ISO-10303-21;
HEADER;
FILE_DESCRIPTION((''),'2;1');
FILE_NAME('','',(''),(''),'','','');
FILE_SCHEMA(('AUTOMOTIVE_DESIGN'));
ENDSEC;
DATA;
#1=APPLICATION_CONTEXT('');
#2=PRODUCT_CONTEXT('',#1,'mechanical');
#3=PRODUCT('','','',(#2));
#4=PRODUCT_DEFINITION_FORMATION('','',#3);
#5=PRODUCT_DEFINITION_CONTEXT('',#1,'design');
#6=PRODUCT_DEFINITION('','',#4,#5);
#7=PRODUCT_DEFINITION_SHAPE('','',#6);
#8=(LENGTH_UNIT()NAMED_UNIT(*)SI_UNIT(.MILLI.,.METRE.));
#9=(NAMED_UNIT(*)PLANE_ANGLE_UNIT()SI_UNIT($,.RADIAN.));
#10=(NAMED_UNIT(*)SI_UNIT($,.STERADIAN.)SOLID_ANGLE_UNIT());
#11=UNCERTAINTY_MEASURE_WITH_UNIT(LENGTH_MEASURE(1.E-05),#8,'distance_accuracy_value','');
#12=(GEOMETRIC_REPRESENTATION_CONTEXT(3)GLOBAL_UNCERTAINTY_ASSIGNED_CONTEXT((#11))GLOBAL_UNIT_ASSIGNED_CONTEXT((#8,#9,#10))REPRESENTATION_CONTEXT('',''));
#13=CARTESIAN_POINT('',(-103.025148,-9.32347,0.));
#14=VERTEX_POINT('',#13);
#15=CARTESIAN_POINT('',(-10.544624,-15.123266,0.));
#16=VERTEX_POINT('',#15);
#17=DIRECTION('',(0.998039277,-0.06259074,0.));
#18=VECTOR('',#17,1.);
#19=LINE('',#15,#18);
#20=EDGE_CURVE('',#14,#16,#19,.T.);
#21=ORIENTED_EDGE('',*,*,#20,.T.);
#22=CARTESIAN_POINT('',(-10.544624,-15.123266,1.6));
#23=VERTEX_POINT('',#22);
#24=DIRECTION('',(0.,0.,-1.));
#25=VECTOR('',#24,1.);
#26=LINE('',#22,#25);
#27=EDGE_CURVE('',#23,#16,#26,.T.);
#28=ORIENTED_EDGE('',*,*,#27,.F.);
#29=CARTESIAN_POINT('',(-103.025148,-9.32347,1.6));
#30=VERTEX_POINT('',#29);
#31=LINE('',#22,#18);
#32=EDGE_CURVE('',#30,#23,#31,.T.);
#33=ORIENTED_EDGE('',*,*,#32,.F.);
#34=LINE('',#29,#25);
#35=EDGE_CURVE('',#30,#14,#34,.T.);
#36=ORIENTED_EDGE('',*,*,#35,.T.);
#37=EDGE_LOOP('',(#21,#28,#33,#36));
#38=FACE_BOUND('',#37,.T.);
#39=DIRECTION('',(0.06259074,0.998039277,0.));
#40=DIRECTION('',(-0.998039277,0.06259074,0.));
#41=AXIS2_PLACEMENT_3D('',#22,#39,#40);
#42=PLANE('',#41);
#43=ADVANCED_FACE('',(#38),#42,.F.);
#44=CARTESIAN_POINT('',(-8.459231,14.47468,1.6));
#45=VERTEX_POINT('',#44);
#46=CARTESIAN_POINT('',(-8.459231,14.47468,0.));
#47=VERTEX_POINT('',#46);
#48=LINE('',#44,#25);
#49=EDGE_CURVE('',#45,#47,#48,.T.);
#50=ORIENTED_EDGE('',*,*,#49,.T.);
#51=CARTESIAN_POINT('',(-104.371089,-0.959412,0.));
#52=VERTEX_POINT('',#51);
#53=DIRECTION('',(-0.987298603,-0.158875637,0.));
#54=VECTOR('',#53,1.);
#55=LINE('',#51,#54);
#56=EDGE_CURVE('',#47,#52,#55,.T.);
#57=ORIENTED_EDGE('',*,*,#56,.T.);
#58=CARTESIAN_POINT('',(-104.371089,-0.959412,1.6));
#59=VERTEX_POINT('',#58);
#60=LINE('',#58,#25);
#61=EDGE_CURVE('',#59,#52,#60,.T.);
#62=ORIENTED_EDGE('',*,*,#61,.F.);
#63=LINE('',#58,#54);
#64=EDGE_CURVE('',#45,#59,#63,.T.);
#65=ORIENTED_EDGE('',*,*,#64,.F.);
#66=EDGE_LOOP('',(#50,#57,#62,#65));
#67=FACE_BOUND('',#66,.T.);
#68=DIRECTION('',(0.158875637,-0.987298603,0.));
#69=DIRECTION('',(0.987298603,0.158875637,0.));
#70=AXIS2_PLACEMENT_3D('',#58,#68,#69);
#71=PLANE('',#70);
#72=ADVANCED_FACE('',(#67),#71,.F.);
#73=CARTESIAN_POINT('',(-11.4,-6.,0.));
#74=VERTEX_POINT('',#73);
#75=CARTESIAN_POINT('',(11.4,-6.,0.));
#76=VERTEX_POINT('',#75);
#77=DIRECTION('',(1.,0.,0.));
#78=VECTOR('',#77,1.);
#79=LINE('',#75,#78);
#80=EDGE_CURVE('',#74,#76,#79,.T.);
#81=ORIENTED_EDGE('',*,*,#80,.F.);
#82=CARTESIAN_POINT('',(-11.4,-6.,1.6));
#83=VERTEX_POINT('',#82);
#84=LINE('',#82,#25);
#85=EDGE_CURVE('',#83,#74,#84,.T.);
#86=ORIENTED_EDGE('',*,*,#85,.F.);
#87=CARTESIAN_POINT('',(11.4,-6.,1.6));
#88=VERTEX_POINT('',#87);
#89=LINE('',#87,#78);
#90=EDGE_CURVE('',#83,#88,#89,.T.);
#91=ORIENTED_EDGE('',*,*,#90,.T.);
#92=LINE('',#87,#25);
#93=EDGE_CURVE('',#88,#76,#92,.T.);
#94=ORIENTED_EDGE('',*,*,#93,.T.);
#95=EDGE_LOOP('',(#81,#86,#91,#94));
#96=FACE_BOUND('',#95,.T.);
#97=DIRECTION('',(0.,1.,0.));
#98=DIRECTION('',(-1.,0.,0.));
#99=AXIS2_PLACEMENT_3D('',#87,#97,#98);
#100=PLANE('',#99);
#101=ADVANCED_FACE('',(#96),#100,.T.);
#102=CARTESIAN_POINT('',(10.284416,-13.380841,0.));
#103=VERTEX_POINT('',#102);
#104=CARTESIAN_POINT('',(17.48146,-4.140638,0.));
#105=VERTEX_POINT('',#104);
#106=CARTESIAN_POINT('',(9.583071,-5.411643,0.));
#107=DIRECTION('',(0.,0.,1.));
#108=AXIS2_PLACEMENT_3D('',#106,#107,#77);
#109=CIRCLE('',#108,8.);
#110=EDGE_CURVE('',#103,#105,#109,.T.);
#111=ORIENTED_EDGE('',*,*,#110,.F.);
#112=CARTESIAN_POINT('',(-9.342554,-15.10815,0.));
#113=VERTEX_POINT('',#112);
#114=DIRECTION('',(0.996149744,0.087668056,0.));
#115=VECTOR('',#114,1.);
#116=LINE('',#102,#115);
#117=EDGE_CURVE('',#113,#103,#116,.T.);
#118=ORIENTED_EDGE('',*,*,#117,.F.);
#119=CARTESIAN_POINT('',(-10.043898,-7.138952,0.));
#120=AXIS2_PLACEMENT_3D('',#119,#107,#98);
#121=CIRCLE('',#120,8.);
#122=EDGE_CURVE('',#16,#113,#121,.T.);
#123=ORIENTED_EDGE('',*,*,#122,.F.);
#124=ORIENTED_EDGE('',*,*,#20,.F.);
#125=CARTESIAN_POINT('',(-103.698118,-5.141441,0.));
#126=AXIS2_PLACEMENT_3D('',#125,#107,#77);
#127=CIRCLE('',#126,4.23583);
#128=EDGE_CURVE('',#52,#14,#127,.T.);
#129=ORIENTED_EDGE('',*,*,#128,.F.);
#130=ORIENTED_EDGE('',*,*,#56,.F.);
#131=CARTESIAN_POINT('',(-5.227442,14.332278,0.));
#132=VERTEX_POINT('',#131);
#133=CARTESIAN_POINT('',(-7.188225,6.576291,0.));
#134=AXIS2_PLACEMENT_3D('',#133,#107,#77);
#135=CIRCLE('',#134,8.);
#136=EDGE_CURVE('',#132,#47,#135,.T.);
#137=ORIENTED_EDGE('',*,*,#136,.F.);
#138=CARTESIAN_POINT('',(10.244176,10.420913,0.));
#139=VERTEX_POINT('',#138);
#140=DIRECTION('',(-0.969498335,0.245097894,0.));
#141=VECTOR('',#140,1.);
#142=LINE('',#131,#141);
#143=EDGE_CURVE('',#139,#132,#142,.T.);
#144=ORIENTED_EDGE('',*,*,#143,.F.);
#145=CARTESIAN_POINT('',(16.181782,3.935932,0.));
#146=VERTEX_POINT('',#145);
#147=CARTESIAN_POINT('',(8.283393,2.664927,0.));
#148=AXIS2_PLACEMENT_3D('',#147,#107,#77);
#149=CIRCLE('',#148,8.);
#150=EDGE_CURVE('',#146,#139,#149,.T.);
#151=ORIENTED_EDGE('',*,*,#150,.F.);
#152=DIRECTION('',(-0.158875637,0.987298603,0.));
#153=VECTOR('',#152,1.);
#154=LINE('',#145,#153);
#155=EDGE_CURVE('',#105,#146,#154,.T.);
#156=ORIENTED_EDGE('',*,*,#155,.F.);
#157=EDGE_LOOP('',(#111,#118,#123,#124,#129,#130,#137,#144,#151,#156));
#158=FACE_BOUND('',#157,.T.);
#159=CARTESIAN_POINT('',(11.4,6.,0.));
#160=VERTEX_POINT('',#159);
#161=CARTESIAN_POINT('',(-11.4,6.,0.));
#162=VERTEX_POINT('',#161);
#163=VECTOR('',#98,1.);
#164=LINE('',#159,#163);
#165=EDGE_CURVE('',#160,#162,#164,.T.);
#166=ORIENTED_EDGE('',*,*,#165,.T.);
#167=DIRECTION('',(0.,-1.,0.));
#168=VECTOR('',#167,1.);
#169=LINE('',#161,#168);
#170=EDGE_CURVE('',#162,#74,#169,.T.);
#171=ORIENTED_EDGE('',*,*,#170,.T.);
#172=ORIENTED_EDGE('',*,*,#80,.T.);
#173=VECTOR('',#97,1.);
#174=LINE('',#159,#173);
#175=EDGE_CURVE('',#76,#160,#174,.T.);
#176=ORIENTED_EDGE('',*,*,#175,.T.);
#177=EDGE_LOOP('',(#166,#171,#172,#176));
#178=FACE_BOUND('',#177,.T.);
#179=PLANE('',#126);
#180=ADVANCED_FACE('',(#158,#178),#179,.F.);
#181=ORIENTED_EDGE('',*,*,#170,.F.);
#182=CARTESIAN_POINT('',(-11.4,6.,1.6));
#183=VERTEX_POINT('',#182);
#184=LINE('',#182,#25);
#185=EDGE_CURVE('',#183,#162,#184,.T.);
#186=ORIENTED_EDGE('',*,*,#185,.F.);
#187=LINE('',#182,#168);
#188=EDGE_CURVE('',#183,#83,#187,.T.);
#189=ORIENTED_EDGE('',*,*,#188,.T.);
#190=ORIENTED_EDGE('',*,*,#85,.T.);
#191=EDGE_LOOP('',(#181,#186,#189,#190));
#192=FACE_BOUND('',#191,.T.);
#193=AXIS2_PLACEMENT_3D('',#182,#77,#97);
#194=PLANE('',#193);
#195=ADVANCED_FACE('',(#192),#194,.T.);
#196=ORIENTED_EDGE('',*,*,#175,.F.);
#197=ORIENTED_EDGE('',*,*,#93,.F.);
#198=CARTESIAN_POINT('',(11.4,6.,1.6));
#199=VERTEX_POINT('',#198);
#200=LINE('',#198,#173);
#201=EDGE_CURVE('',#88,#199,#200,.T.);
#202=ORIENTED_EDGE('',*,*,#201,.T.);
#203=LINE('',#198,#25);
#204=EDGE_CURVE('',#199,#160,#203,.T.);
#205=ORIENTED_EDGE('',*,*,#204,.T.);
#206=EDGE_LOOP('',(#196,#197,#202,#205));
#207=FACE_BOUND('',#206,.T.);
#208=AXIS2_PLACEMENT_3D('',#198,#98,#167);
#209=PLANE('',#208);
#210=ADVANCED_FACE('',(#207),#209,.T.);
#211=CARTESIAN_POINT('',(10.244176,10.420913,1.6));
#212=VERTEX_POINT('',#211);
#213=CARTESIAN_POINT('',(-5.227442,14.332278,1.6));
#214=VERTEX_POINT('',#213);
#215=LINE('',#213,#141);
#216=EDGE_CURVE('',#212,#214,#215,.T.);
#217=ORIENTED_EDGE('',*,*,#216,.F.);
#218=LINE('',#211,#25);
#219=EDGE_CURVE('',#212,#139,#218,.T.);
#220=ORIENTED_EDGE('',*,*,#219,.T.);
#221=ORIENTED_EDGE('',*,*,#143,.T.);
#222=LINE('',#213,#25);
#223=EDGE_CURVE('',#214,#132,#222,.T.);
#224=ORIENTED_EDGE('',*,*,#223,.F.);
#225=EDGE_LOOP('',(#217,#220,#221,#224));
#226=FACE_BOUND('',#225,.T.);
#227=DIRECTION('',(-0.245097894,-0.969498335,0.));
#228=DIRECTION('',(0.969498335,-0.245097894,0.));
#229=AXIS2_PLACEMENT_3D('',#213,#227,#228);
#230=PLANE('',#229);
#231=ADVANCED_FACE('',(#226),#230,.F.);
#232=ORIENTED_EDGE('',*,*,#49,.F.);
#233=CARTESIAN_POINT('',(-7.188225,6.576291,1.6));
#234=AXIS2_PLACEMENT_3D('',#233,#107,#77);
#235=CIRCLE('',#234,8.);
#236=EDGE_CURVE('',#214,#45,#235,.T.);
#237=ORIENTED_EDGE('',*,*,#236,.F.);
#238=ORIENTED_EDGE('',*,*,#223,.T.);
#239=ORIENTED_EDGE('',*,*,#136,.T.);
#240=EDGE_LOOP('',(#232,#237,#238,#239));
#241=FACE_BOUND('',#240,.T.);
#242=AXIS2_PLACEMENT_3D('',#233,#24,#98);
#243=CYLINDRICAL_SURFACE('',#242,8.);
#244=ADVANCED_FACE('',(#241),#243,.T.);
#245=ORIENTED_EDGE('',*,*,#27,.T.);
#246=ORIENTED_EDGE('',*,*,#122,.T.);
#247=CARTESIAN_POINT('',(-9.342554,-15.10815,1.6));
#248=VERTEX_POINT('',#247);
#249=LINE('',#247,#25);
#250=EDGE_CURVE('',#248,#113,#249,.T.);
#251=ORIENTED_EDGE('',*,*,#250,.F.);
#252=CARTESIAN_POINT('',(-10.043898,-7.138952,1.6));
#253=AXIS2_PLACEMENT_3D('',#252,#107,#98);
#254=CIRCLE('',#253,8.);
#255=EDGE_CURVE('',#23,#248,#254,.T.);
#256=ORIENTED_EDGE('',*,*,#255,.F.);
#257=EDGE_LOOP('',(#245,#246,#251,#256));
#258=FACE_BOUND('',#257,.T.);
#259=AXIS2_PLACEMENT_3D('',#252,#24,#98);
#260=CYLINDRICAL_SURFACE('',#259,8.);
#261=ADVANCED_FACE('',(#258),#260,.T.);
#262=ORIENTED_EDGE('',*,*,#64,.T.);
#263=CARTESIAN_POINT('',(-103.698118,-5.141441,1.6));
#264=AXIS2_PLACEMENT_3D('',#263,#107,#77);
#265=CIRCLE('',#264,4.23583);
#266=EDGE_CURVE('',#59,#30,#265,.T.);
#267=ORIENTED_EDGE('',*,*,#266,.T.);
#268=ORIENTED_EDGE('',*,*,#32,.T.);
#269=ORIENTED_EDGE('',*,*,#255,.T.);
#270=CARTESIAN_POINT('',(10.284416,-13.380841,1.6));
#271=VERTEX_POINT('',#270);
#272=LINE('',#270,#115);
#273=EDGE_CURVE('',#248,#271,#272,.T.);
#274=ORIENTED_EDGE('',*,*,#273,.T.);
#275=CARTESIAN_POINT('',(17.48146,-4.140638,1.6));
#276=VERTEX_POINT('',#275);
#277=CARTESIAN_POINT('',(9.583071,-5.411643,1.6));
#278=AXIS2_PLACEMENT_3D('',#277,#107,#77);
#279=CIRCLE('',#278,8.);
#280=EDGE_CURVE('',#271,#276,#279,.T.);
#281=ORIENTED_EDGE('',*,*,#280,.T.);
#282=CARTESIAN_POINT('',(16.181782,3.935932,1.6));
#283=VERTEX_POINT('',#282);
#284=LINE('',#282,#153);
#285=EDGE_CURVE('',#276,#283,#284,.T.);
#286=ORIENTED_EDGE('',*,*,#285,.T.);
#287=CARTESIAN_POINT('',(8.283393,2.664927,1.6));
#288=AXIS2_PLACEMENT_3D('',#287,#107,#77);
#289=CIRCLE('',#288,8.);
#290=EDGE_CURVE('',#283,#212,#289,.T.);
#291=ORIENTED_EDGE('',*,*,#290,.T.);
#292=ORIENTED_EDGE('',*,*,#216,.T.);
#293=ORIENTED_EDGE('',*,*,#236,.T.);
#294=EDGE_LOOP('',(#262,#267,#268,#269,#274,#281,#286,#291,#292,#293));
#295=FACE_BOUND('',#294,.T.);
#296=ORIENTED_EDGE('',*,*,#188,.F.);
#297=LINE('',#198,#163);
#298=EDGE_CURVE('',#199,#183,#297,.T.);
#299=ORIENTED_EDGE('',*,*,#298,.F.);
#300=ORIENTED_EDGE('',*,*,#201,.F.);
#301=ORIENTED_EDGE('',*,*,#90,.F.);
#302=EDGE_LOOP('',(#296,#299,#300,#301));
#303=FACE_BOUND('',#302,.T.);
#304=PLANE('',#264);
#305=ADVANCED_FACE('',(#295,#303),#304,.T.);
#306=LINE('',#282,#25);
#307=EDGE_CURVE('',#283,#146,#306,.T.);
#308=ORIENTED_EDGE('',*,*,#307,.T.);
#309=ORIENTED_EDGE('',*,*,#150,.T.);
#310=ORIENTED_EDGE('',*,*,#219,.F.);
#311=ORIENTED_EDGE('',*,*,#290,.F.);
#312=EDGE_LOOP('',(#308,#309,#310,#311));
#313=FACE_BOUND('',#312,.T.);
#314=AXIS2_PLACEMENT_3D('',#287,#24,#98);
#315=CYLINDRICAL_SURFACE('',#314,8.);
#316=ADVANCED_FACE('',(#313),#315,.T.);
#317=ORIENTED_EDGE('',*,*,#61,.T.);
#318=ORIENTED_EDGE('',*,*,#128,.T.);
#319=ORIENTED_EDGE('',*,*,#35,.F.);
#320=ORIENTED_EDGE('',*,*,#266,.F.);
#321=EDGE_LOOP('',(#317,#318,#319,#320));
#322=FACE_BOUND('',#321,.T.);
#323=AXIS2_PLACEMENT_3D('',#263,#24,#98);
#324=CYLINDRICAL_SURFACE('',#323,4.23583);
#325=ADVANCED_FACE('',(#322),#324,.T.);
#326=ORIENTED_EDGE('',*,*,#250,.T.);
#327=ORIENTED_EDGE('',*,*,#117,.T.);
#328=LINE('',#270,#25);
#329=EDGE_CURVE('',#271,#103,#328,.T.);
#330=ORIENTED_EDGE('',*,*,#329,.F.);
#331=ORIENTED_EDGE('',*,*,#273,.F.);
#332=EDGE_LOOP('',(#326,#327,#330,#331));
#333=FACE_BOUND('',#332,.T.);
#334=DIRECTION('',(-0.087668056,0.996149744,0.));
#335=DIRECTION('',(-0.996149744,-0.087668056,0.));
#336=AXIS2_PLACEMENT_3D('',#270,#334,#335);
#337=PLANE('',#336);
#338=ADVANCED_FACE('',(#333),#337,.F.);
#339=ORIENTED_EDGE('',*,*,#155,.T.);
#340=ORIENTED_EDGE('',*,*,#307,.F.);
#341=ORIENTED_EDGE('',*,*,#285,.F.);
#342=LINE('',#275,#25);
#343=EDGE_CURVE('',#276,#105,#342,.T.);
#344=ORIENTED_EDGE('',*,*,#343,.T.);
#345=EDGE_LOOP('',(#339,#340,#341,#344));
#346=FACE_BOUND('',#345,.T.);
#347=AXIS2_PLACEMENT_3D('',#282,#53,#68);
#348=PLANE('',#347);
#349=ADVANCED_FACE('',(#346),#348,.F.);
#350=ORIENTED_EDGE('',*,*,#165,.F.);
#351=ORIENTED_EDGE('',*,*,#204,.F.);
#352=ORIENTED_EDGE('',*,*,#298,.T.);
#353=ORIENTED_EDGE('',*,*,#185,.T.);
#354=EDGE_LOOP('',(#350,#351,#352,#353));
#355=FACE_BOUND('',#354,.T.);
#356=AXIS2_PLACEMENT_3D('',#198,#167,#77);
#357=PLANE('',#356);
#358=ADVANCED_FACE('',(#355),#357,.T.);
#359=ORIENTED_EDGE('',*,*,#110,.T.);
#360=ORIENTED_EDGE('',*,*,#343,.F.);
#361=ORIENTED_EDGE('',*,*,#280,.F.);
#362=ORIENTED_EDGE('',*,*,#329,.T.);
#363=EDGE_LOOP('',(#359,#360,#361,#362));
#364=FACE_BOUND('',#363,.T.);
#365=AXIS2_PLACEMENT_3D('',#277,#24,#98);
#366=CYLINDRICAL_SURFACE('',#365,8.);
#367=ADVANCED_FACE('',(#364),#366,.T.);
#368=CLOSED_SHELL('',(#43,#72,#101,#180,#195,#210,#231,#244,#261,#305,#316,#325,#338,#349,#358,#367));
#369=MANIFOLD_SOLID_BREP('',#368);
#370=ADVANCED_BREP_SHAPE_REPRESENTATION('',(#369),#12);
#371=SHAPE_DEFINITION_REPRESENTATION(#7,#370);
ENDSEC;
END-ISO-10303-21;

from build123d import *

# Parameters (mm, degrees)
ESBO_O1_W                = 22.8
ESBO_O1_H                = 12
RESSALTO_EXTRUS_O1_DEPTH = 1.6


with BuildPart() as part:
    # Esboço1 → Ressalto-extrusão1 (new body)
    with BuildSketch(Plane.XY):
        with BuildLine():
            Line((-104.371088502, -0.959412185), (-8.45923057, 14.474679896))
            ThreePointArc((-8.45923057, 14.474679896), (-6.836063531, 14.568536185), (-5.227442321, 14.332277754))
            Line((-5.227442321, 14.332277754), (10.244176454, 10.420913457))
            ThreePointArc((10.244176454, 10.420913457), (14.183780118, 8.067281394), (16.181782129, 3.935931872))
            Line((16.181782129, 3.935931872), (17.481460057, -4.140638106))
            ThreePointArc((17.481460057, -4.140638106), (15.894504602, -10.327516352), (10.284415681, -13.380841154))
            Line((10.284415681, -13.380841154), (-9.34255378, -15.108149999))
            ThreePointArc((-9.34255378, -15.108149999), (-9.94330462, -15.138319582), (-10.544624147, -15.123266269))
            Line((-10.544624147, -15.123266269), (-103.02514815, -9.323470085))
            ThreePointArc((-103.02514815, -9.323470085), (-107.880147276, -5.814411311), (-104.371088502, -0.959412185))
        make_face()
        Rectangle(ESBO_O1_W, ESBO_O1_H, mode=Mode.SUBTRACT)
    extrude(amount=RESSALTO_EXTRUS_O1_DEPTH)


solid = part.part
